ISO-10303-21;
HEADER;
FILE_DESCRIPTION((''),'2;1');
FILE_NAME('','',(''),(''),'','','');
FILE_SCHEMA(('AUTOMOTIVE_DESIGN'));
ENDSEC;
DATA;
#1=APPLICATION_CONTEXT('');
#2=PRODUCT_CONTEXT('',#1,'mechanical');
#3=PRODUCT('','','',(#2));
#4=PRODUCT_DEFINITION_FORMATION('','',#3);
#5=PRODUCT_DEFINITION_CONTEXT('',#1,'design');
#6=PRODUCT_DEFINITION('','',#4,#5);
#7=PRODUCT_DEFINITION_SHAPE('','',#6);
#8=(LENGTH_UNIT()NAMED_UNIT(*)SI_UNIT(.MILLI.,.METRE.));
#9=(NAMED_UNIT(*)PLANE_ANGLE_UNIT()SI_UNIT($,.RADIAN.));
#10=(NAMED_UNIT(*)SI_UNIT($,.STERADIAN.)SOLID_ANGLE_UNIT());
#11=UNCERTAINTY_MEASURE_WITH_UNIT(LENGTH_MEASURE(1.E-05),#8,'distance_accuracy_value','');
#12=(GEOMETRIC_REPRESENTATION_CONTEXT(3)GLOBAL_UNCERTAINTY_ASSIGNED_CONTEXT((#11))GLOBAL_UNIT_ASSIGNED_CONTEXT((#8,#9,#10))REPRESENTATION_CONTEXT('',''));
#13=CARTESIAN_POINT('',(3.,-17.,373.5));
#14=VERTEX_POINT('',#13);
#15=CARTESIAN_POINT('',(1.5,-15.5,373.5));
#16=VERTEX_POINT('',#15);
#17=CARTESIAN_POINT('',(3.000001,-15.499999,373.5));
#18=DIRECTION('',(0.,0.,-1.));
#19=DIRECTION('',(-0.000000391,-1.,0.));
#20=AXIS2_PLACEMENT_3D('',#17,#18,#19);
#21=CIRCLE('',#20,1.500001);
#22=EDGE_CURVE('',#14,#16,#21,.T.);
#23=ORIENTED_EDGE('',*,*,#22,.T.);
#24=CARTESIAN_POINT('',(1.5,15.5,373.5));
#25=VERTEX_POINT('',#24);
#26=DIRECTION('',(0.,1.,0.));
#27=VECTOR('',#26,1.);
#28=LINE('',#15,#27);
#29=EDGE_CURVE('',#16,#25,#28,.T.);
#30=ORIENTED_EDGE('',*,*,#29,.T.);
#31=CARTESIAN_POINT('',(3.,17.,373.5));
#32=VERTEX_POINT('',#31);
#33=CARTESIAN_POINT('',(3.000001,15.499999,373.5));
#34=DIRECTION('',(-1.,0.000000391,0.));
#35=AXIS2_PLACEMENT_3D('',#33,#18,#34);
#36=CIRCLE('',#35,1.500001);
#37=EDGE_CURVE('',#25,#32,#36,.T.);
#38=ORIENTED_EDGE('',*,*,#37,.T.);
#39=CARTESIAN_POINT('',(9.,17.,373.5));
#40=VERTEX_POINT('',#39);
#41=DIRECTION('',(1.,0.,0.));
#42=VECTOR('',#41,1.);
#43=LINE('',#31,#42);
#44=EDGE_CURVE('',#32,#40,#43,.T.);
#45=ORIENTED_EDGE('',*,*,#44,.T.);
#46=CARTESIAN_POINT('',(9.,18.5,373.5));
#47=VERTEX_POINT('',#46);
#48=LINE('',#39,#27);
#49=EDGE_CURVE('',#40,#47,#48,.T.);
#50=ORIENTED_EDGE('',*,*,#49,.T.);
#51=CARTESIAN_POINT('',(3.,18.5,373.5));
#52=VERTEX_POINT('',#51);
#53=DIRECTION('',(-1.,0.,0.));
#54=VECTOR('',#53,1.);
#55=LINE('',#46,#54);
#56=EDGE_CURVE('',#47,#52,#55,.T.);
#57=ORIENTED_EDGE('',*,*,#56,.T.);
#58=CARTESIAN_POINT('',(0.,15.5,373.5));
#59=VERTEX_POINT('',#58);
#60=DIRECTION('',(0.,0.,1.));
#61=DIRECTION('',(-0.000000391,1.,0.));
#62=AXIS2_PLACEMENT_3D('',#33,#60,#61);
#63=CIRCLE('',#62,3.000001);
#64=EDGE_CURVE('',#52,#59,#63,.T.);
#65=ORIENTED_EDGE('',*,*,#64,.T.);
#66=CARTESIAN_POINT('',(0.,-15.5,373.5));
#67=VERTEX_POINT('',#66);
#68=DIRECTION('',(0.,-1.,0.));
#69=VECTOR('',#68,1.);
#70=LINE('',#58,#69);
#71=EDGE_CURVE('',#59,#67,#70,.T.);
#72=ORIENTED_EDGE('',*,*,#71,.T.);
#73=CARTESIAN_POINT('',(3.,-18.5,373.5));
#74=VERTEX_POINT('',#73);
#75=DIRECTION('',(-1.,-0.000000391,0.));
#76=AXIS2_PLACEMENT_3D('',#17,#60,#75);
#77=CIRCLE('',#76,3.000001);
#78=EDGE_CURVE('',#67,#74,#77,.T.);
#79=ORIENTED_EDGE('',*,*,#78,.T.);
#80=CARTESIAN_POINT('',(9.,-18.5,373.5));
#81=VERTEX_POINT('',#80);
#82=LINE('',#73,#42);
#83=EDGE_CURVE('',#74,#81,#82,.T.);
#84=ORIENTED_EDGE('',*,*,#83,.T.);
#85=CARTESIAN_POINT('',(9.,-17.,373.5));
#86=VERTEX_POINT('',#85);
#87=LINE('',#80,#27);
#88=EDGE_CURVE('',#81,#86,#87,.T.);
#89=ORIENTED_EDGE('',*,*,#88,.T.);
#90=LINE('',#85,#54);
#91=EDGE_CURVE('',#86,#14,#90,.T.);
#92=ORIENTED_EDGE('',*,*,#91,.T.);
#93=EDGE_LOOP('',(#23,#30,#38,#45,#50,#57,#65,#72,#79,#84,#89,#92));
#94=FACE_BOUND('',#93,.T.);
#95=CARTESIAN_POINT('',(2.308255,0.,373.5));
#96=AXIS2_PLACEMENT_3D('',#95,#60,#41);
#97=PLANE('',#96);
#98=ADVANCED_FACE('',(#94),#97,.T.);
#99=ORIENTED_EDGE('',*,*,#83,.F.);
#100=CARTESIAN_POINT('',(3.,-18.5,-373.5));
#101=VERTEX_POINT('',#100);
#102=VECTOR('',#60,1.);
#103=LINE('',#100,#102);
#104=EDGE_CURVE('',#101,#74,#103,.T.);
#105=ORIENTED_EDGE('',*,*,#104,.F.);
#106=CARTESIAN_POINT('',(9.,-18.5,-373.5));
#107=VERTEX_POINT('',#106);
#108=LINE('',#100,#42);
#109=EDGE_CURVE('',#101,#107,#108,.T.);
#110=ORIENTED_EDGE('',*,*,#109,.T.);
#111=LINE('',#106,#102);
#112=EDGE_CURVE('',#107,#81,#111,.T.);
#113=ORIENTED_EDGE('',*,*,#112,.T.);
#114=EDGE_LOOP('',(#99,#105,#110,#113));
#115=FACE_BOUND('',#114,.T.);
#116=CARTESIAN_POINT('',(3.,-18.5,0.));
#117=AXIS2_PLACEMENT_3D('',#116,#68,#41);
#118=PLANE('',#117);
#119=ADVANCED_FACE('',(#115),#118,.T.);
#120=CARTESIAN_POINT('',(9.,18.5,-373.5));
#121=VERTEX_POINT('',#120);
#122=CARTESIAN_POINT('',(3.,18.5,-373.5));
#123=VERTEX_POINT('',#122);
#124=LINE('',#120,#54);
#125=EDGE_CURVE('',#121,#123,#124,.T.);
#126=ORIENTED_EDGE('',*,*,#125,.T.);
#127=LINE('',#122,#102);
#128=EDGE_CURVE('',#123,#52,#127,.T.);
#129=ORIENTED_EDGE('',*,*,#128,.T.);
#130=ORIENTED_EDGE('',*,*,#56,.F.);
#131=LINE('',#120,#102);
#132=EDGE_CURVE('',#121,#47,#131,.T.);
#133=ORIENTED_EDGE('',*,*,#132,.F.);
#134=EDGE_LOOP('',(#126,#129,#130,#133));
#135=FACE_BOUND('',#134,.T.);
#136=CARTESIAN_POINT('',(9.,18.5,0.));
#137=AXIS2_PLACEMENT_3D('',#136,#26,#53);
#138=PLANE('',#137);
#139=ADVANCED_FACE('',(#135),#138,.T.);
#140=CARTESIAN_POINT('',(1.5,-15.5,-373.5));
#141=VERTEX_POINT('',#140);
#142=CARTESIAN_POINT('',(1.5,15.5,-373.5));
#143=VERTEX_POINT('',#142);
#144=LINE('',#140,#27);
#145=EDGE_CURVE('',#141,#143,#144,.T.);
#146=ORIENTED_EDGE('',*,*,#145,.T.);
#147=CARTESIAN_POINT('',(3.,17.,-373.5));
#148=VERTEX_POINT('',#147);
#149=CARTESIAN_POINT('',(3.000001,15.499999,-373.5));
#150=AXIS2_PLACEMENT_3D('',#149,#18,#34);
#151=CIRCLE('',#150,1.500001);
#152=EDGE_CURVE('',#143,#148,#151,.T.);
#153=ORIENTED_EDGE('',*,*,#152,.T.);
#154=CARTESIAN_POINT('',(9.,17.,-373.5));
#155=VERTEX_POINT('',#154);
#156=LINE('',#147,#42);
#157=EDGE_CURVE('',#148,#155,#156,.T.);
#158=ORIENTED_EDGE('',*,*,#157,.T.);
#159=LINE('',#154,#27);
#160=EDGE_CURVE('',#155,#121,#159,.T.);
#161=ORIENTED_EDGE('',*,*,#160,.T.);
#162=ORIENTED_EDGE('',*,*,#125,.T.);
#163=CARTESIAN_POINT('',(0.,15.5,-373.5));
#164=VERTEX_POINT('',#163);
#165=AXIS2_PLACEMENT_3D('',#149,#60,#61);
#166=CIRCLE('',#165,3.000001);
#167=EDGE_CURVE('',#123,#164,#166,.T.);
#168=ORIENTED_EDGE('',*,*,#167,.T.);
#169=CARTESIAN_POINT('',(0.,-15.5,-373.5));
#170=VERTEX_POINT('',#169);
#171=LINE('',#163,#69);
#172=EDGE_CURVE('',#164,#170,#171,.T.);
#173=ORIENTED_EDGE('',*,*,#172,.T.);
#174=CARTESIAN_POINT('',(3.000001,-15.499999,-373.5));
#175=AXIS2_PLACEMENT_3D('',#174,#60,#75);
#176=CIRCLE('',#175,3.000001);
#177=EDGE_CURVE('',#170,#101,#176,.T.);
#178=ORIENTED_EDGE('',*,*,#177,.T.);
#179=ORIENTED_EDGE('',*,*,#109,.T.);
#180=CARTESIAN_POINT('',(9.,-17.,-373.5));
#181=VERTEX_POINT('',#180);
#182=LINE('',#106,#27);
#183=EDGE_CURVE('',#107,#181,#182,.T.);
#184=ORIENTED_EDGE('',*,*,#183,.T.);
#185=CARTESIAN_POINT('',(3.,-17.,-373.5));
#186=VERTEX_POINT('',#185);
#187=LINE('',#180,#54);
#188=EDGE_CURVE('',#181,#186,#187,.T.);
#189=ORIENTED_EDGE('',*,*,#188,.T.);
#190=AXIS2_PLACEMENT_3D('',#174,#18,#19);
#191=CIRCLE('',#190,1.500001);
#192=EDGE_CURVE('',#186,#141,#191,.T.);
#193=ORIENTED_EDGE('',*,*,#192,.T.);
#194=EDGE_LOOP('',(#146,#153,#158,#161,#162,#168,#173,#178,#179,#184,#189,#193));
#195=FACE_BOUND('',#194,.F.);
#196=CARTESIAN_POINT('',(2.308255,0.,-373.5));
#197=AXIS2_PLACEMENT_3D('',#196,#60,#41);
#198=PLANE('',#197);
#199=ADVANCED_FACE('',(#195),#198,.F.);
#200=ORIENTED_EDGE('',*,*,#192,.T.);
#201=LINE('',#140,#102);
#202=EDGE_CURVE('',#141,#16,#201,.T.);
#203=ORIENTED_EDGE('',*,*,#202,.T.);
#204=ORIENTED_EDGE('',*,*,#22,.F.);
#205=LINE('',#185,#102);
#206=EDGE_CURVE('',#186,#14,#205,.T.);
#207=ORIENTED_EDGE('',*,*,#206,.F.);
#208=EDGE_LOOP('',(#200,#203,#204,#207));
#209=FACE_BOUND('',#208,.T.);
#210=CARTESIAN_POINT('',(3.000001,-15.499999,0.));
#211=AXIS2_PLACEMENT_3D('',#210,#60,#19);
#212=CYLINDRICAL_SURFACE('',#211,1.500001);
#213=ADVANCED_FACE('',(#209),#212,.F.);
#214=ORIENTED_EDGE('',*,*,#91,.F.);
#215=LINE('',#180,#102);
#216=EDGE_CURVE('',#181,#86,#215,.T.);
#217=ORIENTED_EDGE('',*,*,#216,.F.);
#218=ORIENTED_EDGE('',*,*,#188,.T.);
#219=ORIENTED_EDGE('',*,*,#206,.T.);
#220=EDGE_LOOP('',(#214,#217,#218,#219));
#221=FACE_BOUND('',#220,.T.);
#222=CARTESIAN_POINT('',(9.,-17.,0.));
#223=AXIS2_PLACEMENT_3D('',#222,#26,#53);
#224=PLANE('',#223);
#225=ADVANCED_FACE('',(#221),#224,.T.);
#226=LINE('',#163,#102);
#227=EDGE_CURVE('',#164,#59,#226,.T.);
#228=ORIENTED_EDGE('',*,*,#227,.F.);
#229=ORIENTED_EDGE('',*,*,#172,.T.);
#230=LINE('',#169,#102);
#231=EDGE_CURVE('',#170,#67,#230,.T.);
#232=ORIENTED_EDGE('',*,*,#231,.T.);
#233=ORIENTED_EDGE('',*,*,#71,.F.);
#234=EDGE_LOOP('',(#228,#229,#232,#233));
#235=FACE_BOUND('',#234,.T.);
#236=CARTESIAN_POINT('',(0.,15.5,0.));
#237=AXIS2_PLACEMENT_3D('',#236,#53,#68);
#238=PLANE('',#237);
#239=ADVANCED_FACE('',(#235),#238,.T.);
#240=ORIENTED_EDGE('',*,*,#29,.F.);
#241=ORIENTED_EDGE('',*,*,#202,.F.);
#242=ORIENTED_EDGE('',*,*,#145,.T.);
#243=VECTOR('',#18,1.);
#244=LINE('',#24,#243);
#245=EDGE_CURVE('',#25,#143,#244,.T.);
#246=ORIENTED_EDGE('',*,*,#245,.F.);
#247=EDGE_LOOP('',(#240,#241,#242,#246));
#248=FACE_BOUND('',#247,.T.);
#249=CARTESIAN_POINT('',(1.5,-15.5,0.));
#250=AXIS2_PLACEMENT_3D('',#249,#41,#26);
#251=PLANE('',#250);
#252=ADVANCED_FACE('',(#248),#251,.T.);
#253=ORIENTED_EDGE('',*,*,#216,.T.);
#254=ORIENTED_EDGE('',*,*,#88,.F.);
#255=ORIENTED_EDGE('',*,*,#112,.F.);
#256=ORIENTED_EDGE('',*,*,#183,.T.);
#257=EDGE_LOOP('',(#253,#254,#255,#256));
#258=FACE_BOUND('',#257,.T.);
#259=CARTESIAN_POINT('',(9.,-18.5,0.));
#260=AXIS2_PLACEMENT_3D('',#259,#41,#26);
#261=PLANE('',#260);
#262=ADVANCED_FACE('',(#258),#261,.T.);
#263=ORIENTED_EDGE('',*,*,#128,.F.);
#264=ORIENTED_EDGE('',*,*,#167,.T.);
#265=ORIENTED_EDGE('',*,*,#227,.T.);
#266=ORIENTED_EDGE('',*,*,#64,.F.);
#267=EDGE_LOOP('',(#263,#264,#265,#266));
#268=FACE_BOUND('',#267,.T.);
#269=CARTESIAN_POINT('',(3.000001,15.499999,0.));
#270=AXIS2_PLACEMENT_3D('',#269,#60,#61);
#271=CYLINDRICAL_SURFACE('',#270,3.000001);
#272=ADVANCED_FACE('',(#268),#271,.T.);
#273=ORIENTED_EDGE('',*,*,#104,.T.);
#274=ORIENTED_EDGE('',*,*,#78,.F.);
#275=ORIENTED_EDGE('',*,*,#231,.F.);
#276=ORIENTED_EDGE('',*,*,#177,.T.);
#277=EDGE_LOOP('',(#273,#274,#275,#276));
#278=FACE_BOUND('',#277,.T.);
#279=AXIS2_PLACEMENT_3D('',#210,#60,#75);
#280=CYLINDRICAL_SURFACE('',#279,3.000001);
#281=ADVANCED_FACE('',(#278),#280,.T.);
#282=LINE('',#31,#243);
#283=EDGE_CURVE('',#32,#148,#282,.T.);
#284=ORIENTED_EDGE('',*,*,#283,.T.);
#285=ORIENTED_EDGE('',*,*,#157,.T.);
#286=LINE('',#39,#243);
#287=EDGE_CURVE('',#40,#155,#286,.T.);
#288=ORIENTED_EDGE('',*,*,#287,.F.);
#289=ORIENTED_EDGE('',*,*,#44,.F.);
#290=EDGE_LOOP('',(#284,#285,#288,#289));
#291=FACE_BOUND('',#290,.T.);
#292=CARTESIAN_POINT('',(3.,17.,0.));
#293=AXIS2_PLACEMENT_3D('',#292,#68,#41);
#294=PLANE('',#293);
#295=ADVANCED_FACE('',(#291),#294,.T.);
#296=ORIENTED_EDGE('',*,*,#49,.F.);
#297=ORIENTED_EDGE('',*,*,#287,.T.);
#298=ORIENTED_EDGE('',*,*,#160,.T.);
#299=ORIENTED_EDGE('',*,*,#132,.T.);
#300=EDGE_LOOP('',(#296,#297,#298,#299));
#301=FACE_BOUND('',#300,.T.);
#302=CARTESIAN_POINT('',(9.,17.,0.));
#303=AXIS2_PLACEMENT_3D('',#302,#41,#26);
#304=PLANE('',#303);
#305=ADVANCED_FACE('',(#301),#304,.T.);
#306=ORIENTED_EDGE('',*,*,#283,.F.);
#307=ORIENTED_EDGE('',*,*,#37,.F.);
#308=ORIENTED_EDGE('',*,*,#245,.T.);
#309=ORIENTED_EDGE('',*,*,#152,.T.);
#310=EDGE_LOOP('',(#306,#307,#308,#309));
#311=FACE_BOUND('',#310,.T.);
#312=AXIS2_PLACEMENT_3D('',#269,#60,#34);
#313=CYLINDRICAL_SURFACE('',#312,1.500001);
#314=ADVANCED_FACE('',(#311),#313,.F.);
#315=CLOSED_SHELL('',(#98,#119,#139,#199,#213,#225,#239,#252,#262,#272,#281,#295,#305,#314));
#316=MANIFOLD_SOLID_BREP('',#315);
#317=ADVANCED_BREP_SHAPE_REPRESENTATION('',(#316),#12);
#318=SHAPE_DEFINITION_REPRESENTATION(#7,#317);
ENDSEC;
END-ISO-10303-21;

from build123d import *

# Parameters (mm, degrees)
F1_DEPTH = 373.5


with BuildPart() as f1:
    # F0 (on Top) → F1 (new body, symmetric)
    with BuildSketch(Plane.XY):
        with BuildLine():
            Line((9, 17), (9, 18.5))
            Line((9, 18.5), (3, 18.5))
            ThreePointArc((3, 18.5), (0.87868, 17.62132), (0, 15.5))
            Line((0, 15.5), (0, 0))
            Line((0, 0), (0, -15.5))
            ThreePointArc((0, -15.5), (0.87868, -17.62132), (3, -18.5))
            Line((3, -18.5), (9, -18.5))
            Line((9, -18.5), (9, -17))
            Line((9, -17), (3, -17))
            ThreePointArc((3, -17), (1.93934, -16.56066), (1.5, -15.5))
            Line((1.5, -15.5), (1.5, 0))
            Line((1.5, 0), (1.5, 15.5))
            ThreePointArc((1.5, 15.5), (1.93934, 16.56066), (3, 17))
            Line((3, 17), (9, 17))
        make_face()
    extrude(amount=F1_DEPTH, both=True)


solid = f1.part
